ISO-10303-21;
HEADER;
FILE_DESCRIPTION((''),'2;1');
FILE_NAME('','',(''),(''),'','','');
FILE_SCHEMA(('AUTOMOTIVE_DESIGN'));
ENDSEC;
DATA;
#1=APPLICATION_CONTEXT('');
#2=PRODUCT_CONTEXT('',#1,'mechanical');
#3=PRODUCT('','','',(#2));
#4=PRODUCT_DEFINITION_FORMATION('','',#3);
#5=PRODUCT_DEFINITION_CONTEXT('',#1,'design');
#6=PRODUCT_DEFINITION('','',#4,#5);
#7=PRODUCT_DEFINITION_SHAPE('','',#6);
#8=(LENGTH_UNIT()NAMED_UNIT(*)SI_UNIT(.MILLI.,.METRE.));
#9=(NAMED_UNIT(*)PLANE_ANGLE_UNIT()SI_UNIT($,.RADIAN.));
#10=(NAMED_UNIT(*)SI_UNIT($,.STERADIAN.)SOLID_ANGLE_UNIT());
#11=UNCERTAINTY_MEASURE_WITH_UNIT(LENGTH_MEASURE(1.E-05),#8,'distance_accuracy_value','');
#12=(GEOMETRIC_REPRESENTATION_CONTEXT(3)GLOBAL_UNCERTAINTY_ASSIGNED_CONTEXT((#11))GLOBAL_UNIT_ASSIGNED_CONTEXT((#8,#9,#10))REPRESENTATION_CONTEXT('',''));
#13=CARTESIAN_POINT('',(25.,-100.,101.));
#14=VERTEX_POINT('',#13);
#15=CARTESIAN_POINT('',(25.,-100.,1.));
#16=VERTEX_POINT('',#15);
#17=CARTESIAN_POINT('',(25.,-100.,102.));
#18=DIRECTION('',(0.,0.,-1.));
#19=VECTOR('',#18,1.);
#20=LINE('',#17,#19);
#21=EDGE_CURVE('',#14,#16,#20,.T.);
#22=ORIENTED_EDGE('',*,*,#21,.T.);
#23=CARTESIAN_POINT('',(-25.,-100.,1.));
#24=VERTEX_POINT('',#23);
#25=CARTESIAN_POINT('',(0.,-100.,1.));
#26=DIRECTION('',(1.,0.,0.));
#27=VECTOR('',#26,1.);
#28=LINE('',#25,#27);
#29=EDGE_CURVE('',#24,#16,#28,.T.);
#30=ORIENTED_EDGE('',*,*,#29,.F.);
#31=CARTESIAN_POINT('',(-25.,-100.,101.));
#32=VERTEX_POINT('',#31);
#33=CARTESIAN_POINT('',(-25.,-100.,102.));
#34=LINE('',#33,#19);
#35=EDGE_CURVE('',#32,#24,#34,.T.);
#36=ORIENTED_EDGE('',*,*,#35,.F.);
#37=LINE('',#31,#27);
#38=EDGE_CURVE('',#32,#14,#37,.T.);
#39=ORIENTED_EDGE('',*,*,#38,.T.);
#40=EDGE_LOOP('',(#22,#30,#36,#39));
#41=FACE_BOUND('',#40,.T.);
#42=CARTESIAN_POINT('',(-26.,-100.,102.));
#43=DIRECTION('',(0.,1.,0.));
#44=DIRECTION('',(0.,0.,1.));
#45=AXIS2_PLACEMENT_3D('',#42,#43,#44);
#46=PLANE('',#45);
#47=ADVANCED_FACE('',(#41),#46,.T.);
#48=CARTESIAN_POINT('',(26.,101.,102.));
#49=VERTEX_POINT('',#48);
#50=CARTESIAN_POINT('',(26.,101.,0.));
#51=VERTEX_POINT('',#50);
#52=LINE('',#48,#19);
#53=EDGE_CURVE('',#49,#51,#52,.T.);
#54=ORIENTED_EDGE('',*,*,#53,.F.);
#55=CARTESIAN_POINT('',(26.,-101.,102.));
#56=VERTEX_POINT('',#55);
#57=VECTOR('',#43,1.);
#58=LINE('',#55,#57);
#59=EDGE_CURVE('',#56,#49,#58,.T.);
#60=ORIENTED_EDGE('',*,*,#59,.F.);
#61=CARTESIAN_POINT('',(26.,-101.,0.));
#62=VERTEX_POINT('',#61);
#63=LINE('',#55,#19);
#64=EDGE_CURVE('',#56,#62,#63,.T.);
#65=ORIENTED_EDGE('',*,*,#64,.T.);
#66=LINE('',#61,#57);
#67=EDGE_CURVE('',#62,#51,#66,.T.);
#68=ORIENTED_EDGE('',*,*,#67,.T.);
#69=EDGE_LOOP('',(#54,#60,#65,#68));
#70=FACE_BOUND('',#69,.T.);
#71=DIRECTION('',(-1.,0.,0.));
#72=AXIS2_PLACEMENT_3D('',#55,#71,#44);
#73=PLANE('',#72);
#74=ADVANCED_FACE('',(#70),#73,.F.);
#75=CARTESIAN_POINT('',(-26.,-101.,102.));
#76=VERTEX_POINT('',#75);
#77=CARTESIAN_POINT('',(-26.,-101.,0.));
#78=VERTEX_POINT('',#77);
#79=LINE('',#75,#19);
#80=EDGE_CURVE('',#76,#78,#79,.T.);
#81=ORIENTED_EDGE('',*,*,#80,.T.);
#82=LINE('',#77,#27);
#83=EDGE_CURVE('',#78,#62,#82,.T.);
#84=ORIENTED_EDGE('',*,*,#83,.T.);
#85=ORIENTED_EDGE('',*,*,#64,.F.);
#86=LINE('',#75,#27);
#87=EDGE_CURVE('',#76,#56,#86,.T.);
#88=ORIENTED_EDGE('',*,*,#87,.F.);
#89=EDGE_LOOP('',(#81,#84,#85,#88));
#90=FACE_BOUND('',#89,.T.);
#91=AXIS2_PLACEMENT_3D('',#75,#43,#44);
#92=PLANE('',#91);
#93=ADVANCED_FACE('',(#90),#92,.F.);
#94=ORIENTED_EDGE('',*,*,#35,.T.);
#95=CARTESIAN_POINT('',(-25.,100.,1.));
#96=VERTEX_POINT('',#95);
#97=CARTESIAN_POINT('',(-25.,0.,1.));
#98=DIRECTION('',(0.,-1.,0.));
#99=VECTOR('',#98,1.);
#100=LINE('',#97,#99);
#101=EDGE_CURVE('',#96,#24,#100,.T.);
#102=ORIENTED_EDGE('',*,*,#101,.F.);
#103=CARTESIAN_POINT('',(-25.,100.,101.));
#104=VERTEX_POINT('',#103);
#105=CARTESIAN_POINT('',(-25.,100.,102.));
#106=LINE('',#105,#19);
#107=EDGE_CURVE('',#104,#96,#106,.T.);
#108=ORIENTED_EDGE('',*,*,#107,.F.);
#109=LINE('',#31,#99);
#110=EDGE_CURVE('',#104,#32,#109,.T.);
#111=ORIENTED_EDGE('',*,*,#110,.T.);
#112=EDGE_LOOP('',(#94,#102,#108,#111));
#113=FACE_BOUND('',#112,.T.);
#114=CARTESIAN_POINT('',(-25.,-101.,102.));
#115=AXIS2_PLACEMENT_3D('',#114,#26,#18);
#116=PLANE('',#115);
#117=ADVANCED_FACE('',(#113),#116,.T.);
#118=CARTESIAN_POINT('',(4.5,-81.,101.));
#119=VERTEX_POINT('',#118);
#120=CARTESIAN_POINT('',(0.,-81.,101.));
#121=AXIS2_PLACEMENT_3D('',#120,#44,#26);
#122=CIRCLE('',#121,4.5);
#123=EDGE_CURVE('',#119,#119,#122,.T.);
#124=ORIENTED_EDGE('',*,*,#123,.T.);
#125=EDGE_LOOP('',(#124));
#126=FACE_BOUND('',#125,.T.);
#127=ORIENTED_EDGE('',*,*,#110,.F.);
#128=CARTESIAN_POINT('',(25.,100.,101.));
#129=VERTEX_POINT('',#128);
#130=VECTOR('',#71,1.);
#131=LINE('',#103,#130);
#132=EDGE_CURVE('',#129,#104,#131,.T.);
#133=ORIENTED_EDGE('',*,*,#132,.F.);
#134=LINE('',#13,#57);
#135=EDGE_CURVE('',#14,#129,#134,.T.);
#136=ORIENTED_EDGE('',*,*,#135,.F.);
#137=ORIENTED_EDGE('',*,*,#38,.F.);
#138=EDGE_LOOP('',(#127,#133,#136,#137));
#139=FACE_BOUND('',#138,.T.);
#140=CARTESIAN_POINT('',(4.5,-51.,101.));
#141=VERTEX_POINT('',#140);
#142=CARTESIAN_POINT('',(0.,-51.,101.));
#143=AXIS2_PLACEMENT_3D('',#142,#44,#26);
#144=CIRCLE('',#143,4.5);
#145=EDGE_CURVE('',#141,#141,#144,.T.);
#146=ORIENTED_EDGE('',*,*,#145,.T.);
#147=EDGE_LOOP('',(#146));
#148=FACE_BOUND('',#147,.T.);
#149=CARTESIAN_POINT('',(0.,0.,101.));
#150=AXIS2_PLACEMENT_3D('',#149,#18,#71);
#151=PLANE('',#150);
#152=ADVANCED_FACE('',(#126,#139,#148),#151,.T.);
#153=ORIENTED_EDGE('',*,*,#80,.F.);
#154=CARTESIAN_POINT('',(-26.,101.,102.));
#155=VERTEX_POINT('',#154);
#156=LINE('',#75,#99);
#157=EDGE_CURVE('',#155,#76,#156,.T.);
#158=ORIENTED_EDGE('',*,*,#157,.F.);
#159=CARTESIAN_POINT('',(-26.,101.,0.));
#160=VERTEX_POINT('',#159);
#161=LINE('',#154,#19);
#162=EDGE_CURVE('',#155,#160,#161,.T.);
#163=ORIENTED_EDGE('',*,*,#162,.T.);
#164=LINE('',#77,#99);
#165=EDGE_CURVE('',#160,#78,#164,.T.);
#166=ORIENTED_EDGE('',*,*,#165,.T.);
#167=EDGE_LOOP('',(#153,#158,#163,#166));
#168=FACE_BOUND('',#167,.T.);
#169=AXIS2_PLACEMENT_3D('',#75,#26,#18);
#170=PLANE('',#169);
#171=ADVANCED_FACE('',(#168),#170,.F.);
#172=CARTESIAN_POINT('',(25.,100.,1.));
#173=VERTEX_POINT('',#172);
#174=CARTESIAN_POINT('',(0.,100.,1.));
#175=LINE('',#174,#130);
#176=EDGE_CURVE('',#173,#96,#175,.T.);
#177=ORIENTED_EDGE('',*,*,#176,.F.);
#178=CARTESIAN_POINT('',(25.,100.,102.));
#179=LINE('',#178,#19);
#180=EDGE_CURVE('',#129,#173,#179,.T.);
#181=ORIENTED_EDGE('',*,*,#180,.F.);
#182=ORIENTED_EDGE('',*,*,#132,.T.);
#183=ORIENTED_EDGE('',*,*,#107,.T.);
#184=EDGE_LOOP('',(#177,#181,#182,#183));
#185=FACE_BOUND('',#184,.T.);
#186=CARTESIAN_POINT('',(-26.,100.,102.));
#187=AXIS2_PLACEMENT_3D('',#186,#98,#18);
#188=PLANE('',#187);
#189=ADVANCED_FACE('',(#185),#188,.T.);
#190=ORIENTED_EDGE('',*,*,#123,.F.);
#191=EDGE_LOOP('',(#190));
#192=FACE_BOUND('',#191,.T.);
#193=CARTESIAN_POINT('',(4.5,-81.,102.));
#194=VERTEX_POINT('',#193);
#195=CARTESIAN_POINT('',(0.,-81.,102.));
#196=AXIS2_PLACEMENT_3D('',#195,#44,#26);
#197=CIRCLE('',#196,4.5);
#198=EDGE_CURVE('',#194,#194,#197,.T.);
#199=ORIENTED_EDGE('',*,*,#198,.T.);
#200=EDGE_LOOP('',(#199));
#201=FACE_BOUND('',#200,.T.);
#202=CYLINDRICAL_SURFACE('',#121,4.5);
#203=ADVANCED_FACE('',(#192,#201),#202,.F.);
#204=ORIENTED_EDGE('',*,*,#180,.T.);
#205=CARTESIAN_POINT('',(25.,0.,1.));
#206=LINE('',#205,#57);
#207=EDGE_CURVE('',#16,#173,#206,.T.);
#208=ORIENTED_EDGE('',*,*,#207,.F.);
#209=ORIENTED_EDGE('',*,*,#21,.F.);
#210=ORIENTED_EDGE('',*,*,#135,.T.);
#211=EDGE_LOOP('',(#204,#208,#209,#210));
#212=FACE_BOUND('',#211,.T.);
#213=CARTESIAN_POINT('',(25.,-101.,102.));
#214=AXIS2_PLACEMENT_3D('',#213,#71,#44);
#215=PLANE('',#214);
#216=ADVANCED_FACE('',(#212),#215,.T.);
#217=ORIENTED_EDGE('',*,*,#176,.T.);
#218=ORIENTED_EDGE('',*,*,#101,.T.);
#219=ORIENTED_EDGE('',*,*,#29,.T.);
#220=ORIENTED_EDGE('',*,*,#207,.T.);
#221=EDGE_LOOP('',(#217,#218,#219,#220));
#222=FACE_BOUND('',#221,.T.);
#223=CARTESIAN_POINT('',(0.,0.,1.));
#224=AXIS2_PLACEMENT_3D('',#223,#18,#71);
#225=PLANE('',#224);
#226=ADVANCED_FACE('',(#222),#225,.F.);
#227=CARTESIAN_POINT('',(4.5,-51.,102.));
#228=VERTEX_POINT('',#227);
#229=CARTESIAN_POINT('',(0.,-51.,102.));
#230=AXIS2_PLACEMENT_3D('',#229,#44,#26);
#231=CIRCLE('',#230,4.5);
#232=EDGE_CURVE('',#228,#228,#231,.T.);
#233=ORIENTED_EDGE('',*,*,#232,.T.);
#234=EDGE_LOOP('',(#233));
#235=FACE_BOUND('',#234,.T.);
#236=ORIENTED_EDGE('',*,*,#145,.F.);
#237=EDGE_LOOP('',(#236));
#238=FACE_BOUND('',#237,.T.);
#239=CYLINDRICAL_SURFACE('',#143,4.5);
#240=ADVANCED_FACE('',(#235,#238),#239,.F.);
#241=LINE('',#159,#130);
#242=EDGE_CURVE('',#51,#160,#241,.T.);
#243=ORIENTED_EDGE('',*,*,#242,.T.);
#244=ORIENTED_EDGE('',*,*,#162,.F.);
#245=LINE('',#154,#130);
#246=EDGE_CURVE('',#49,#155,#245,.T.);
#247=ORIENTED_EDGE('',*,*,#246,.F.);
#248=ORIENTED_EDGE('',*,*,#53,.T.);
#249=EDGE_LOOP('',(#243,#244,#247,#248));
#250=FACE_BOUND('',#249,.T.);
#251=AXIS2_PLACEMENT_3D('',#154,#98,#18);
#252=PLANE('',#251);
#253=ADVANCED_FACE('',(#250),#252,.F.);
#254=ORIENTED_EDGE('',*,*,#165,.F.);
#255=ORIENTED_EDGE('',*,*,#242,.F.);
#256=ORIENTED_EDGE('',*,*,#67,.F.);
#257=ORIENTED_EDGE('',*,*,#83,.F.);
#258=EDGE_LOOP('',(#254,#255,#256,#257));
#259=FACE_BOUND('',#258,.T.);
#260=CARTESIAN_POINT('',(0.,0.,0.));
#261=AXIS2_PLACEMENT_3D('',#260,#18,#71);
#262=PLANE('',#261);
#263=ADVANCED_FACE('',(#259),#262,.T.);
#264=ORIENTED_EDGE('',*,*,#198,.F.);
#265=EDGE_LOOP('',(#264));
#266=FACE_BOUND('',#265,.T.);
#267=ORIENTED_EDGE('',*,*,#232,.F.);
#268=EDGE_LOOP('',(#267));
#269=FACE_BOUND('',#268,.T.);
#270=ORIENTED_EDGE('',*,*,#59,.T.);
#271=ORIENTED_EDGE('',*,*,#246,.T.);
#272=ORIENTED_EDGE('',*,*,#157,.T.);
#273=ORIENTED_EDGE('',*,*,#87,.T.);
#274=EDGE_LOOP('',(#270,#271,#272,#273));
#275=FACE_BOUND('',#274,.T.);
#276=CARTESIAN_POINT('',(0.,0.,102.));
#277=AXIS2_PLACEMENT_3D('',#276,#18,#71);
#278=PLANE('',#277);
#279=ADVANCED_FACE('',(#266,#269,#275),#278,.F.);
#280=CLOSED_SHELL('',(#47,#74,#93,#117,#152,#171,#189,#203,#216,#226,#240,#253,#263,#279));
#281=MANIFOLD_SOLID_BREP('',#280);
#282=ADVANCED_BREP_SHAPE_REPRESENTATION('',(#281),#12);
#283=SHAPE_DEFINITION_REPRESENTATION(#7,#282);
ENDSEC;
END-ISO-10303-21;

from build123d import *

# Parameters (mm, degrees)
ESQUISSE1_W             = 52
ESQUISSE1_H             = 202
BOSS_EXTRU_1_DEPTH      = 102
COQUE1_T                = -1
ESQUISSE2_W             = 50
ESQUISSE2_H             = 200
BOSS_EXTRU_2_DEPTH      = 1
ESQUISSE3_R             = 4.5
ENL_V_MAT_EXTRU_1_DEPTH = 1


with BuildPart() as part:
    # Esquisse1 → Boss.-Extru.1 (new body)
    with BuildSketch(Plane.XY):
        Rectangle(ESQUISSE1_W, ESQUISSE1_H)
    extrude(amount=BOSS_EXTRU_1_DEPTH)

    # Coque1
    coque1_openings = [part.faces().sort_by_distance(p)[0] for p in [
        (0, 0, 102),
    ]]
    offset(amount=COQUE1_T, openings=coque1_openings, kind=Kind.INTERSECTION)

    # Esquisse2 → Boss.-Extru.2 (add)
    with BuildSketch(Plane.XY.offset(102)):
        Rectangle(ESQUISSE2_W, ESQUISSE2_H)
    extrude(amount=-BOSS_EXTRU_2_DEPTH)

    # Esquisse3 → Enlèv. mat.-Extru.1 (cut)
    with BuildSketch(Plane.XY.offset(102)):
        with Locations((0, -81)):
            Circle(ESQUISSE3_R)
        with Locations((0, -51)):
            Circle(ESQUISSE3_R)
    extrude(amount=-ENL_V_MAT_EXTRU_1_DEPTH, mode=Mode.SUBTRACT)


solid = part.part
